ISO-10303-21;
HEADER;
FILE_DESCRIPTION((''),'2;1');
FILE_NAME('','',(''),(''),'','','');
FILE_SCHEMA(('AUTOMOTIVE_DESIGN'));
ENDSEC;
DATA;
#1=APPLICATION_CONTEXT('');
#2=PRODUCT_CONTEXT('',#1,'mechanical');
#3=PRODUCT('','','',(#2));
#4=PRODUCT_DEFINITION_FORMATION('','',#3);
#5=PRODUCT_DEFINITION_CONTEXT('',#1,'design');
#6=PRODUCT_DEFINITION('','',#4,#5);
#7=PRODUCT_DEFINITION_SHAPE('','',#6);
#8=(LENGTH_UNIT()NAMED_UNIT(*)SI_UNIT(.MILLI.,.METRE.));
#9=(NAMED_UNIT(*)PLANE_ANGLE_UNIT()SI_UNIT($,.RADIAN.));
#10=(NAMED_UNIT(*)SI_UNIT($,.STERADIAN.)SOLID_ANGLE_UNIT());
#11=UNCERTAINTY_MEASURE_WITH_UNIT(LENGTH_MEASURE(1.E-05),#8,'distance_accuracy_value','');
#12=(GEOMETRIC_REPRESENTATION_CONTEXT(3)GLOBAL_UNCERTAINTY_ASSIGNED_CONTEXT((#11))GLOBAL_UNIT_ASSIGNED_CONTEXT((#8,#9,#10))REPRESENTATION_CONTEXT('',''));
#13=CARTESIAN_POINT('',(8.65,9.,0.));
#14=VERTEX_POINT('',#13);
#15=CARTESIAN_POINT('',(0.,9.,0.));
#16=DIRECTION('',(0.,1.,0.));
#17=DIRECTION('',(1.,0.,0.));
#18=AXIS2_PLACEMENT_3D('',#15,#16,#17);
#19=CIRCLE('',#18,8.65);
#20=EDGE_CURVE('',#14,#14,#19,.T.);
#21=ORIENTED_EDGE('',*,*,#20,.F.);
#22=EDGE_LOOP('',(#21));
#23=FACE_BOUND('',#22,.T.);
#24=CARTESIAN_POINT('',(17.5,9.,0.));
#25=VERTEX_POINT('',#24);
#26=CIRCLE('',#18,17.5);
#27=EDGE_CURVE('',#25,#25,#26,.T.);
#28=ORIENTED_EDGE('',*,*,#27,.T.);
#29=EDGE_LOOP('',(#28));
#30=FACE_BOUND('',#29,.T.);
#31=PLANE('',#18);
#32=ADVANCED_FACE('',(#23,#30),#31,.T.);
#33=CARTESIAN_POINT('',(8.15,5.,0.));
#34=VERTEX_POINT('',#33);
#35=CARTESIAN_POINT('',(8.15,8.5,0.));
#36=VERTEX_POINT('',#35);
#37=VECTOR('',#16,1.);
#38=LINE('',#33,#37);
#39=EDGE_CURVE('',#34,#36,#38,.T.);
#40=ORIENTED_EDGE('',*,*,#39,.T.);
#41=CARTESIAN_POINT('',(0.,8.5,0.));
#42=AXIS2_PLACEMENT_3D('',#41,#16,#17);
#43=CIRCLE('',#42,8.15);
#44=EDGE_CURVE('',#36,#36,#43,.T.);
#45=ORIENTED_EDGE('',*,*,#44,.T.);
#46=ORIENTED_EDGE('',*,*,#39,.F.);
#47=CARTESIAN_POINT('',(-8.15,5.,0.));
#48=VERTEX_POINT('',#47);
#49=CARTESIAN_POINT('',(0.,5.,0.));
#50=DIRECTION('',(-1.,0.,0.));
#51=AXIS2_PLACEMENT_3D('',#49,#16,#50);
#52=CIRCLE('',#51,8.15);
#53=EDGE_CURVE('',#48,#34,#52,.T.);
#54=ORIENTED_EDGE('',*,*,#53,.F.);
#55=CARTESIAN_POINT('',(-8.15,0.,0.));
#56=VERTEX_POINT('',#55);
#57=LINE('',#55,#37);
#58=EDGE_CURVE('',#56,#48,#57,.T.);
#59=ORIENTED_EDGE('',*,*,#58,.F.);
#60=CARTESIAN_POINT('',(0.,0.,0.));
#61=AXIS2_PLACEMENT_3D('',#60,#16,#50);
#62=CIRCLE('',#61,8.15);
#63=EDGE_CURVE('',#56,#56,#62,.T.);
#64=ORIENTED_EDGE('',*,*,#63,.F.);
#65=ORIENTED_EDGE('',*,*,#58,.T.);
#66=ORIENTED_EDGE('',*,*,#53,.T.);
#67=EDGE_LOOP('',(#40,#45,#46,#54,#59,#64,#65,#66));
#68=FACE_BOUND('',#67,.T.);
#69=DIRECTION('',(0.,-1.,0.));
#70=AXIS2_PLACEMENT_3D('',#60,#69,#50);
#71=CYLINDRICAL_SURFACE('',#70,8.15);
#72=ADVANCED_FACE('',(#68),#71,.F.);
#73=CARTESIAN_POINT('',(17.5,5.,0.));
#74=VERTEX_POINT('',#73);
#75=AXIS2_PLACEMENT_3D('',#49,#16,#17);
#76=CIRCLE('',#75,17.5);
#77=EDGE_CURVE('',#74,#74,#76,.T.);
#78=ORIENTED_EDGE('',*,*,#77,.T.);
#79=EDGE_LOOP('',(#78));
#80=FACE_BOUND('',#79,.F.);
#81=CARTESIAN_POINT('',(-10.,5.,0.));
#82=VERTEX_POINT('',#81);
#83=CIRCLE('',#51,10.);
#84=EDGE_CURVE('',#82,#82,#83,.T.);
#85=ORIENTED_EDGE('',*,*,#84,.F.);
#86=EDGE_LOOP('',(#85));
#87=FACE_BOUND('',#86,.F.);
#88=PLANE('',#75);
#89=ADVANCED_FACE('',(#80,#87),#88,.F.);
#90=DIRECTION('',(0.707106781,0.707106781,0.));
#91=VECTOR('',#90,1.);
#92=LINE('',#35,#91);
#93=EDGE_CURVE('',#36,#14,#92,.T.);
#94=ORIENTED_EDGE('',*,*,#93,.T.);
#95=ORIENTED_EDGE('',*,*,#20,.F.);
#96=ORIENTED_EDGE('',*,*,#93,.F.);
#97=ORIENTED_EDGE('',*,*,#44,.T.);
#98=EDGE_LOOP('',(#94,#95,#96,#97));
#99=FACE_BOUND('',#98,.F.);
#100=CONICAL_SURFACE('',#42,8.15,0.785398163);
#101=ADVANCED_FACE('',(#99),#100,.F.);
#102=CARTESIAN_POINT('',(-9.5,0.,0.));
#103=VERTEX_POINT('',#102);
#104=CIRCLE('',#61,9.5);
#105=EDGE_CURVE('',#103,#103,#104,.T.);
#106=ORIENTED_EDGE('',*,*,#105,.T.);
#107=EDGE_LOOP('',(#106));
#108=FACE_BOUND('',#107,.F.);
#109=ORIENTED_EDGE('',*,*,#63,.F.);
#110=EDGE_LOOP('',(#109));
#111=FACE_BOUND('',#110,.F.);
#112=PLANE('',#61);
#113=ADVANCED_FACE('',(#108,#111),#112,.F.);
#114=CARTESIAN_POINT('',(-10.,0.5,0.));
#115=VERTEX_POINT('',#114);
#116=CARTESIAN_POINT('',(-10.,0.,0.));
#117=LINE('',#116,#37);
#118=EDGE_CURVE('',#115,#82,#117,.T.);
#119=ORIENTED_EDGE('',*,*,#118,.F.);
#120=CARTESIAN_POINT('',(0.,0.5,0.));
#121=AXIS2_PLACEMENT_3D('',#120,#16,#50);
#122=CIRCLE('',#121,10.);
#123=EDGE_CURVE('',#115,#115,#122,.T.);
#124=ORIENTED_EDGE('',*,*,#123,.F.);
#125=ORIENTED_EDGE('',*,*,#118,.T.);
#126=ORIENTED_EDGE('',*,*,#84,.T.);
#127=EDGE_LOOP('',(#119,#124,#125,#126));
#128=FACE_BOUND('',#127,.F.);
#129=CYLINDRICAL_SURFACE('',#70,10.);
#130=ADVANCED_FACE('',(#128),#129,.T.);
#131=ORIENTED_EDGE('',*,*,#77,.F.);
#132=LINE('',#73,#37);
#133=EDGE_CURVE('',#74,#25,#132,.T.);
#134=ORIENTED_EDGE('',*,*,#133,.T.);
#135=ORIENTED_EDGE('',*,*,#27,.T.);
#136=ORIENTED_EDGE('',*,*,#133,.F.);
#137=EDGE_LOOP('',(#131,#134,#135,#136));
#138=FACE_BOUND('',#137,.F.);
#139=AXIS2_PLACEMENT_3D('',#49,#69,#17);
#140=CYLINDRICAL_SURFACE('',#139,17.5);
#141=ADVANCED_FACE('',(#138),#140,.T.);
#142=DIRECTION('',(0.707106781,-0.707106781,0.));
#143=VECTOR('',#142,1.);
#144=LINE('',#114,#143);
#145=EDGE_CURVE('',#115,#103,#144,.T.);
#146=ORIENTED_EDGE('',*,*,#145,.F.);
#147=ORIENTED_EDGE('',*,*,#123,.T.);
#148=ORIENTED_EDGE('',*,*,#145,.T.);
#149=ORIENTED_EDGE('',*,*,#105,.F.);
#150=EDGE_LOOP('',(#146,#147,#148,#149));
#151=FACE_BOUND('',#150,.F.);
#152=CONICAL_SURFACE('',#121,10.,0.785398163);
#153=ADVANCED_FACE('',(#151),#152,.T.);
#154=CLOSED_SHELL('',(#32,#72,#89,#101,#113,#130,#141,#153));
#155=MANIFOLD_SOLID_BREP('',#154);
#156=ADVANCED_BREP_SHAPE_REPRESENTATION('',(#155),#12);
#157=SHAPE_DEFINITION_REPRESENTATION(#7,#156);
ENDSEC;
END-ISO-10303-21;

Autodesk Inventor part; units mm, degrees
ref_plane "YZ Plane" through (0, 0, 0) normal (1, 0, 0) x (0, 1, 0)
ref_plane "XZ Plane" through (0, 0, 0) normal (0, 1, 0) x (-1, 0, 0)
ref_plane "XY Plane" through (0, 0, 0) normal (0, 0, 1) x (1, 0, 0)
sketch "Sketch1" plane through (0, 0, 0) normal (0, 1, 0) x (-1, 0, 0)
  circle A0 centre (0, 0) radius 8.15
  circle A1 centre (0, 0) radius 10
  dimension "d0" = 16.3
  dimension "d1" = 20
extrude "Extrusion1" add sketch "Sketch1" along normal blind 5
sketch "Sketch2" plane through (0, 5, 0) normal (0, 1, 0) x (1, 0, 0)
  circle A0 centre (0, 0) radius 10 projected
  circle A1 centre (0, 0) radius 8.15 projected
  circle A2 centre (0, 0) radius 17.5
  dimension "d4" = 35
extrude "Extrusion2" add sketch "Sketch2" along normal blind 4 contours A0 | A2
chamfer "Chamfer1" distance 0.5 angle 45 2 edges at (10, 0, 0) (-8.15, 9, 0)
properties part number "Ydre_bøsning_stempel_stang"
